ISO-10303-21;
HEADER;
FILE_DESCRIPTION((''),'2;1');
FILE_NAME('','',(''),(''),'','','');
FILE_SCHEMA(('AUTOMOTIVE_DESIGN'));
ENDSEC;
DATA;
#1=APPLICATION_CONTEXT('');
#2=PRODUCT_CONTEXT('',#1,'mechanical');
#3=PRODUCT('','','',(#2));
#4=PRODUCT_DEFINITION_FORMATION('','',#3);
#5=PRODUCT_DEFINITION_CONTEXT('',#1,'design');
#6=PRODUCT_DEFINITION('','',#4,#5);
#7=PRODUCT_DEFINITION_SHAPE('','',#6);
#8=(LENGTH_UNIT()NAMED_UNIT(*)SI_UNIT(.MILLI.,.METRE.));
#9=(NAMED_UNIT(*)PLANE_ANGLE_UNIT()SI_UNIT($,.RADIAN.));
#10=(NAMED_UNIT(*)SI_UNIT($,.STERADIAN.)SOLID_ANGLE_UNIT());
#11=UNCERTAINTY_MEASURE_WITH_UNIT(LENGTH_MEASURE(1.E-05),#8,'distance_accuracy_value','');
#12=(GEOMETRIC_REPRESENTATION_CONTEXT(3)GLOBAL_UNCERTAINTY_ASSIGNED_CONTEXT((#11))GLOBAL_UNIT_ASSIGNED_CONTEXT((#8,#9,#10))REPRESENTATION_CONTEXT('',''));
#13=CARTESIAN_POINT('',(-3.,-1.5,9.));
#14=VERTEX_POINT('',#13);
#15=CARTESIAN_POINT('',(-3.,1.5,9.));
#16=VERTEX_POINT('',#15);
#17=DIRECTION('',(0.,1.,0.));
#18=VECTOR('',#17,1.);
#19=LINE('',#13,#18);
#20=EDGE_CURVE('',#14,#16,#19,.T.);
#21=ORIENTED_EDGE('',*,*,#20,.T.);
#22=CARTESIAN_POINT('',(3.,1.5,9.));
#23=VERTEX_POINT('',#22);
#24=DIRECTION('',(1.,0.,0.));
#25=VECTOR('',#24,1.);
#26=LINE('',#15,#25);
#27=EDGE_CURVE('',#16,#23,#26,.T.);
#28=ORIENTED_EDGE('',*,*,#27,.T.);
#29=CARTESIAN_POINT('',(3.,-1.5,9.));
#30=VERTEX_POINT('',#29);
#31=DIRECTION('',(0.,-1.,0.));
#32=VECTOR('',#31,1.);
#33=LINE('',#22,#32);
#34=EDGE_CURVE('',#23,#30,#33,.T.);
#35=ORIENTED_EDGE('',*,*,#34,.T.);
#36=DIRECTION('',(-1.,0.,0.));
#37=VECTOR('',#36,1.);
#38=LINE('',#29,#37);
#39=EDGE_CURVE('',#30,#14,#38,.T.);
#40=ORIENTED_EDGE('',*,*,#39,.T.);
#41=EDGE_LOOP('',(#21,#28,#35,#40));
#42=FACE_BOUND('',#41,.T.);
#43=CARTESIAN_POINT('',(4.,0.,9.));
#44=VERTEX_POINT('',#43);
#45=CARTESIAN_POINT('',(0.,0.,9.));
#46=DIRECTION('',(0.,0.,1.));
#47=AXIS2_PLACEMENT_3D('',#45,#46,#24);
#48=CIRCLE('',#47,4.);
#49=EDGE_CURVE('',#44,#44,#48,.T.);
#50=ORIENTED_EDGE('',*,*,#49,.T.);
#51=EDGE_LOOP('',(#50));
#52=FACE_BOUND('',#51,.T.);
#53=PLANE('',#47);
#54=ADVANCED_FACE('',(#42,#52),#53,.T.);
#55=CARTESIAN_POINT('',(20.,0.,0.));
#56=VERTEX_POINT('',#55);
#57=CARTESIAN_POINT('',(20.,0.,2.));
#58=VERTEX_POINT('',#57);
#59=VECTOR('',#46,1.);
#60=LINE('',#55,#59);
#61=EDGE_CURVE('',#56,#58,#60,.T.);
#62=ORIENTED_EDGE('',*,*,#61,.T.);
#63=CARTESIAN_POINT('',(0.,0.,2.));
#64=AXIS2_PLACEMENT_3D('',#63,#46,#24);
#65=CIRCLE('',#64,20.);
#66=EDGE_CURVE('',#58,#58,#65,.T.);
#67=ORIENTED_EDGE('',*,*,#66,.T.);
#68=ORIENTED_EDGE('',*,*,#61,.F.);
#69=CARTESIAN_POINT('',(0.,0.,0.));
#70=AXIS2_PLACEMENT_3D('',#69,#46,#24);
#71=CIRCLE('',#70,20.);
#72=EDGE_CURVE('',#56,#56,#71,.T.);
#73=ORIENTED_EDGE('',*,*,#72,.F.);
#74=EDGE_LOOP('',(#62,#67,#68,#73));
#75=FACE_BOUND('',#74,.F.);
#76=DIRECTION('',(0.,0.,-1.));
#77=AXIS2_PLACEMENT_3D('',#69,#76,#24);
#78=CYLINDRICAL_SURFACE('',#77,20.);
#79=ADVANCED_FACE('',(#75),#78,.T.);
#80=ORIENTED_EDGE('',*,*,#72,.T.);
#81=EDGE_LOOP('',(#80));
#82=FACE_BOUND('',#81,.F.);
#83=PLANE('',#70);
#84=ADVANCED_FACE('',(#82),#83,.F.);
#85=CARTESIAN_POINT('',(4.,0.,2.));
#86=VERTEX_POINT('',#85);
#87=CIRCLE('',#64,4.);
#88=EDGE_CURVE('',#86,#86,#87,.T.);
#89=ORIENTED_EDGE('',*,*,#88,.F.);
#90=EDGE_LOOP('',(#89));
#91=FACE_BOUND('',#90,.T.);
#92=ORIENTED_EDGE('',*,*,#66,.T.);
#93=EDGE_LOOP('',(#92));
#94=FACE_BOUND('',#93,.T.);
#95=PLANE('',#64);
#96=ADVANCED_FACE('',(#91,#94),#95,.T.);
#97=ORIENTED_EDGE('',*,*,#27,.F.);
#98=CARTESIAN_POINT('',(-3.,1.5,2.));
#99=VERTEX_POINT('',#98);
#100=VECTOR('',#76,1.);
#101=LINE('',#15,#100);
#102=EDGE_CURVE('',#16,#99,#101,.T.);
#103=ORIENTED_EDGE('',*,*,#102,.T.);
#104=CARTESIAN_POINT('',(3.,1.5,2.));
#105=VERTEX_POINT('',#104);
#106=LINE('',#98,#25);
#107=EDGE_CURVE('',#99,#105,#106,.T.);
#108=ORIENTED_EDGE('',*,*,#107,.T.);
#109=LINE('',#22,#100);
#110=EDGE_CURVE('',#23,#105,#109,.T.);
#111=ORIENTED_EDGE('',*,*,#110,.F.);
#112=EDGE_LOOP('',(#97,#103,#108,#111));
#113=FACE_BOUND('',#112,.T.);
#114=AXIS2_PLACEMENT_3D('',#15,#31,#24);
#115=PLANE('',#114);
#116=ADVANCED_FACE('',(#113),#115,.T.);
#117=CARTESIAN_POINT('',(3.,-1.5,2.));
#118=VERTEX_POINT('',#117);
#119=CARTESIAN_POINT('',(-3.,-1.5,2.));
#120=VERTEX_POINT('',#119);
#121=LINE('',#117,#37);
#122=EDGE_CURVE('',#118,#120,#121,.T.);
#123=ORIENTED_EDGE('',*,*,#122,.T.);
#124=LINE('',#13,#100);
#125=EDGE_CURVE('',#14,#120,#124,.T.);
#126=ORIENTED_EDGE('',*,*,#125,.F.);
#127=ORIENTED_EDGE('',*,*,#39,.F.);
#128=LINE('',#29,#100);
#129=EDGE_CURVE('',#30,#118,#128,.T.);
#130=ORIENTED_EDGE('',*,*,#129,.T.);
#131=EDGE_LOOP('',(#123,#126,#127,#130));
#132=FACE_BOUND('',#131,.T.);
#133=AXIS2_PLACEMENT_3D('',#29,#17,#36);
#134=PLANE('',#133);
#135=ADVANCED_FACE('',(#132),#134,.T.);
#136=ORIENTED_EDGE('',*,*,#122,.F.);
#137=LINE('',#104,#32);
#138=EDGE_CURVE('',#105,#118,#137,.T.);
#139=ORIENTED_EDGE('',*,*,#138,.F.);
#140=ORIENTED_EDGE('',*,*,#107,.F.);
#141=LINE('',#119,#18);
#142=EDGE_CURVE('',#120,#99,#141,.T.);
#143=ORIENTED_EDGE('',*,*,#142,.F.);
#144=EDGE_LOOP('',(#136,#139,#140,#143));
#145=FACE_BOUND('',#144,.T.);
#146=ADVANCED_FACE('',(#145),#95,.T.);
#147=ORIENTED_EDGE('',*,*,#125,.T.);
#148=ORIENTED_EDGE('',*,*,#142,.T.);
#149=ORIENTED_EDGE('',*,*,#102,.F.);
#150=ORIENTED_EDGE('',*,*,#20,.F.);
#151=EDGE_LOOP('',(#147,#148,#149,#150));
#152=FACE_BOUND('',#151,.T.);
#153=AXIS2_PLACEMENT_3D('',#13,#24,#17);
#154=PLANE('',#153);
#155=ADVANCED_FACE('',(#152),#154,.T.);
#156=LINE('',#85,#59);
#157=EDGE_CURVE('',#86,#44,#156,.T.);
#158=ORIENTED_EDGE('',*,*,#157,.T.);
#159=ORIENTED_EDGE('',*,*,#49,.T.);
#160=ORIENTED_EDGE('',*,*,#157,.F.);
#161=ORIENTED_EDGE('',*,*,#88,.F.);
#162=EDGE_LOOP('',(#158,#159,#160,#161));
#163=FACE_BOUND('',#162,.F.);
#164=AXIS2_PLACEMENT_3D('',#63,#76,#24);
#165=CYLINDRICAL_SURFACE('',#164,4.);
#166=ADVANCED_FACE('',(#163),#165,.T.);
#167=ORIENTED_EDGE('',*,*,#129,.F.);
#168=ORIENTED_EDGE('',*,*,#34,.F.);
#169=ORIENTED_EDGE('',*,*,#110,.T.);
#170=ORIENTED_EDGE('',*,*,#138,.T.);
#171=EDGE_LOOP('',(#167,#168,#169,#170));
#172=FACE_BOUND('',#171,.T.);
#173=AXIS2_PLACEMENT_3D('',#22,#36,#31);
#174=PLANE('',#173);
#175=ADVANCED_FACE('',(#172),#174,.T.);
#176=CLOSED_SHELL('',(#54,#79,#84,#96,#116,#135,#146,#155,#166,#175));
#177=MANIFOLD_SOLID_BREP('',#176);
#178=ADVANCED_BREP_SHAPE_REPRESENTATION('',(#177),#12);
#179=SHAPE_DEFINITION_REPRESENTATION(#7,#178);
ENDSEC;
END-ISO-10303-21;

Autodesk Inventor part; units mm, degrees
ref_plane "YZ Plane" through (0, 0, 0) normal (1, 0, 0) x (0, 1, 0)
ref_plane "XZ Plane" through (0, 0, 0) normal (0, 1, 0) x (-1, 0, 0)
ref_plane "XY Plane" through (0, 0, 0) normal (0, 0, 1) x (1, 0, 0)
sketch "Sketch1" plane through (0, 0, 0) normal (0, 0, 1) x (1, 0, 0)
  circle A0 centre (0, 0) radius 20
  dimension "d0" = 40
extrude "Extrusion1" add sketch "Sketch1" along normal blind 2
sketch "Sketch2" plane through (0, 0, 2) normal (0, 0, 1) x (1, 0, 0)
  circle A0 centre (0, 0) radius 4
  dimension "d3" = 8
extrude "Extrusion2" add sketch "Sketch2" along normal blind 7
sketch "Sketch3" plane through (0, 0, 9) normal (0, 0, 1) x (1, 0, 0)
  line L0 (-3, 1.5) -> (3, 1.5)
  line L1 (3, 1.5) -> (3, -1.5)
  line L2 (3, -1.5) -> (-3, -1.5)
  line L3 (-3, -1.5) -> (-3, 1.5)
  point P0 (0, 0)
  dimension "d6" = 6
  dimension "d7" = 3
  dimension "d8" = 1.5
  dimension "d9" = 3
  dimension "d10" = 3
extrude "Extrusion3" cut sketch "Sketch3" against normal blind 7
properties part number "baser"
